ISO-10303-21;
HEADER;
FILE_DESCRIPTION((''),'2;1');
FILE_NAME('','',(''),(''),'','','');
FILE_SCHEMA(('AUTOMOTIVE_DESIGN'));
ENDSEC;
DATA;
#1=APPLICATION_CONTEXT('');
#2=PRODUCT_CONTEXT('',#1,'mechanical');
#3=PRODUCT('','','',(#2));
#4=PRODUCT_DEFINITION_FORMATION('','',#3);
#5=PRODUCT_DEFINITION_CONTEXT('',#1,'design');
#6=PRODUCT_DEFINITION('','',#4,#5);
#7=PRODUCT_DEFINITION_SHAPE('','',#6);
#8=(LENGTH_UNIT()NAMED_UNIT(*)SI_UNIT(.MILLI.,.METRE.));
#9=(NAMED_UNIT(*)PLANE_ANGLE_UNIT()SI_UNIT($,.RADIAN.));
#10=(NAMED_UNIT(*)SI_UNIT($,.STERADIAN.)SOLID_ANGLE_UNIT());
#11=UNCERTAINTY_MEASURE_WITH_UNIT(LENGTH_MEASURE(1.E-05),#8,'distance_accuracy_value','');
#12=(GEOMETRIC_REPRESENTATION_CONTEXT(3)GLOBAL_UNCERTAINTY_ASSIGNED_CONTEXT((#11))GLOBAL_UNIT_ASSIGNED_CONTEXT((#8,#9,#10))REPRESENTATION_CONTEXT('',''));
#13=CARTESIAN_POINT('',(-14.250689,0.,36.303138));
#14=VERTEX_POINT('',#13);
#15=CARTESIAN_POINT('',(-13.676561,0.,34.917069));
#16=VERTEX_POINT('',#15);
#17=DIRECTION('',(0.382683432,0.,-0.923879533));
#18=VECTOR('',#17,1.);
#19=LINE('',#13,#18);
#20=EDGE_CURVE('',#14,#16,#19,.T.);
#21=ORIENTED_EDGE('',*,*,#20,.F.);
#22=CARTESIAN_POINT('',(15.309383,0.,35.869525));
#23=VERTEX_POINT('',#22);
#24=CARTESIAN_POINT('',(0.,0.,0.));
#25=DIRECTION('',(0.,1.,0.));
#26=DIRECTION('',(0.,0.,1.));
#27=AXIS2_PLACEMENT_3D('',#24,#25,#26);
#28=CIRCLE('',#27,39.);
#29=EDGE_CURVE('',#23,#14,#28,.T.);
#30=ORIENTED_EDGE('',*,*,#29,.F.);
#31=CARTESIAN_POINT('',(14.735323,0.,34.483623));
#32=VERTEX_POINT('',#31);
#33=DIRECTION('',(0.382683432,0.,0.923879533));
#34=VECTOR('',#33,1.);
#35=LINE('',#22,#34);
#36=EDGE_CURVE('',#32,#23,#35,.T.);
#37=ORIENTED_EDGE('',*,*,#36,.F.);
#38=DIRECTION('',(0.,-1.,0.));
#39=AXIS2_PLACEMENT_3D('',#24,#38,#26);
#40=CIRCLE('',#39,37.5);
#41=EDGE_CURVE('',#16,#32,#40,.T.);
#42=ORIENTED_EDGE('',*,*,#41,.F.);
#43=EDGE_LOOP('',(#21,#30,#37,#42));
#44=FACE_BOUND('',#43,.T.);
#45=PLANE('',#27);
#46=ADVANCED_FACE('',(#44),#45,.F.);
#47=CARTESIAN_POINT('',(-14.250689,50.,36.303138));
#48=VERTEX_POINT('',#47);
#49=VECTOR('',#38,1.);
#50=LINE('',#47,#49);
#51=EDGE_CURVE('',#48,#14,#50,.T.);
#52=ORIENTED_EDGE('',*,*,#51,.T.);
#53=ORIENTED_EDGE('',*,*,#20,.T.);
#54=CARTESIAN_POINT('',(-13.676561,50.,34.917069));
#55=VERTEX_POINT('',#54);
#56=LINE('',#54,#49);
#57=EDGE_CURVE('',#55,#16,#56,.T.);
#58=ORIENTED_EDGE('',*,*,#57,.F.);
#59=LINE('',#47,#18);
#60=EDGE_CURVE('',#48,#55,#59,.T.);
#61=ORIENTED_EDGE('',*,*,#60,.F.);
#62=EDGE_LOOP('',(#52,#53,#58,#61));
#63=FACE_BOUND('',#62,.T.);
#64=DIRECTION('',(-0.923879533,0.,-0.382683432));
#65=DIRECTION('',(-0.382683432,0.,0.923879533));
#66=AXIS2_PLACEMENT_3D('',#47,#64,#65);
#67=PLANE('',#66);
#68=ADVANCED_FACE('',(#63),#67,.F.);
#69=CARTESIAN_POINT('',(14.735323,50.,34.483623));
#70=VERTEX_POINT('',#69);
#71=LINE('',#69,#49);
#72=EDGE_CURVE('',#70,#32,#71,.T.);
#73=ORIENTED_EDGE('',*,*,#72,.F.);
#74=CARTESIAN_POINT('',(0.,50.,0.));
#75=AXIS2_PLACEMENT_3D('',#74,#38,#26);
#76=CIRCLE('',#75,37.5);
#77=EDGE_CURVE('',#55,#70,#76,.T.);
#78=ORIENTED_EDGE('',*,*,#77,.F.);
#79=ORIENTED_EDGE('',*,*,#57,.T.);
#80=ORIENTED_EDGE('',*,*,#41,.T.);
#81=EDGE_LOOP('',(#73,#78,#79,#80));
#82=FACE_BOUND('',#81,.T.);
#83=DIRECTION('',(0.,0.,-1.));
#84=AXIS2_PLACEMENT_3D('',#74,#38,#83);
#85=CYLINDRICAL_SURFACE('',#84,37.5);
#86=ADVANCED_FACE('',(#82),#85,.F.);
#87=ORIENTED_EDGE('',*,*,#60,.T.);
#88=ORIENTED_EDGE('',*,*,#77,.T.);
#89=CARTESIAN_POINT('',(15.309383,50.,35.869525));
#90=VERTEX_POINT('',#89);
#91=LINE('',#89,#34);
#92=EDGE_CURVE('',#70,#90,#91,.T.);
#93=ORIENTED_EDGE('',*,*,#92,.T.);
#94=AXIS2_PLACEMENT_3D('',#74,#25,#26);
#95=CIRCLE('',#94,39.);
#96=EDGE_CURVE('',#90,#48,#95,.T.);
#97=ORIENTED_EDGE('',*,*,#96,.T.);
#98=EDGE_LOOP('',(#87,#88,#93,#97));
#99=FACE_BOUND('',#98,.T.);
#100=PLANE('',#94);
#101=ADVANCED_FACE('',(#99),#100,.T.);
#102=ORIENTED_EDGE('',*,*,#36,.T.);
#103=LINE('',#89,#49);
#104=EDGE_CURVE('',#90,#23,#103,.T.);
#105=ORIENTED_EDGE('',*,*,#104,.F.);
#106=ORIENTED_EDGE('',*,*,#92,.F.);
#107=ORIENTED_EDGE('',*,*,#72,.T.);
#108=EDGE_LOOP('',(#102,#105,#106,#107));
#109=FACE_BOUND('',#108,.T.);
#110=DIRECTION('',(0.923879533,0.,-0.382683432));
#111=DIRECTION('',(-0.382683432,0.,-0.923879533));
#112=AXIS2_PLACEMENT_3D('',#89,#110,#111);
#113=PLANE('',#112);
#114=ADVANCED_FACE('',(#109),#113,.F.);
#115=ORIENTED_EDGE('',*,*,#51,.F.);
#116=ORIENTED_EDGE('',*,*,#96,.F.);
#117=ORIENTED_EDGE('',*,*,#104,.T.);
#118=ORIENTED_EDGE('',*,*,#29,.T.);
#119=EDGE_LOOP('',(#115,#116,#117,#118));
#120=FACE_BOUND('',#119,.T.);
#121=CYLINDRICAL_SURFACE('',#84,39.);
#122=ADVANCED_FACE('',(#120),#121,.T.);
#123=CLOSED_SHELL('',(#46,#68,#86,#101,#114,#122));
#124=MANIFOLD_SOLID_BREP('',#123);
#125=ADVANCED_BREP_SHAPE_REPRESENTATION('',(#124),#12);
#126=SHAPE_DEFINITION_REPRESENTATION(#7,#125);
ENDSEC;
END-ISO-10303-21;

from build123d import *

# Parameters (mm, degrees)
BOSS_EXTRUDE3_DEPTH = 50


with BuildPart() as part:
    # Sketch2 → Boss-Extrude3 (new body)
    with BuildSketch(Plane(origin=(0, 0, 0), x_dir=(1, 0, 0), z_dir=(0, 1, 0))):
        with BuildLine():
            Line((-14.250689398, -36.303138317), (-13.676560587, -34.917068756))
            ThreePointArc((-13.676560587, -34.917068756), (-0.572025793, 37.495636899), (14.735323391, -34.483622846))
            Line((14.735323391, -34.483622846), (15.309382725, -35.869524677))
            ThreePointArc((15.309382725, -35.869524677), (-0.572025426, 38.995804735), (-14.250689398, -36.303138317))
        make_face()
    extrude(amount=BOSS_EXTRUDE3_DEPTH)


solid = part.part
